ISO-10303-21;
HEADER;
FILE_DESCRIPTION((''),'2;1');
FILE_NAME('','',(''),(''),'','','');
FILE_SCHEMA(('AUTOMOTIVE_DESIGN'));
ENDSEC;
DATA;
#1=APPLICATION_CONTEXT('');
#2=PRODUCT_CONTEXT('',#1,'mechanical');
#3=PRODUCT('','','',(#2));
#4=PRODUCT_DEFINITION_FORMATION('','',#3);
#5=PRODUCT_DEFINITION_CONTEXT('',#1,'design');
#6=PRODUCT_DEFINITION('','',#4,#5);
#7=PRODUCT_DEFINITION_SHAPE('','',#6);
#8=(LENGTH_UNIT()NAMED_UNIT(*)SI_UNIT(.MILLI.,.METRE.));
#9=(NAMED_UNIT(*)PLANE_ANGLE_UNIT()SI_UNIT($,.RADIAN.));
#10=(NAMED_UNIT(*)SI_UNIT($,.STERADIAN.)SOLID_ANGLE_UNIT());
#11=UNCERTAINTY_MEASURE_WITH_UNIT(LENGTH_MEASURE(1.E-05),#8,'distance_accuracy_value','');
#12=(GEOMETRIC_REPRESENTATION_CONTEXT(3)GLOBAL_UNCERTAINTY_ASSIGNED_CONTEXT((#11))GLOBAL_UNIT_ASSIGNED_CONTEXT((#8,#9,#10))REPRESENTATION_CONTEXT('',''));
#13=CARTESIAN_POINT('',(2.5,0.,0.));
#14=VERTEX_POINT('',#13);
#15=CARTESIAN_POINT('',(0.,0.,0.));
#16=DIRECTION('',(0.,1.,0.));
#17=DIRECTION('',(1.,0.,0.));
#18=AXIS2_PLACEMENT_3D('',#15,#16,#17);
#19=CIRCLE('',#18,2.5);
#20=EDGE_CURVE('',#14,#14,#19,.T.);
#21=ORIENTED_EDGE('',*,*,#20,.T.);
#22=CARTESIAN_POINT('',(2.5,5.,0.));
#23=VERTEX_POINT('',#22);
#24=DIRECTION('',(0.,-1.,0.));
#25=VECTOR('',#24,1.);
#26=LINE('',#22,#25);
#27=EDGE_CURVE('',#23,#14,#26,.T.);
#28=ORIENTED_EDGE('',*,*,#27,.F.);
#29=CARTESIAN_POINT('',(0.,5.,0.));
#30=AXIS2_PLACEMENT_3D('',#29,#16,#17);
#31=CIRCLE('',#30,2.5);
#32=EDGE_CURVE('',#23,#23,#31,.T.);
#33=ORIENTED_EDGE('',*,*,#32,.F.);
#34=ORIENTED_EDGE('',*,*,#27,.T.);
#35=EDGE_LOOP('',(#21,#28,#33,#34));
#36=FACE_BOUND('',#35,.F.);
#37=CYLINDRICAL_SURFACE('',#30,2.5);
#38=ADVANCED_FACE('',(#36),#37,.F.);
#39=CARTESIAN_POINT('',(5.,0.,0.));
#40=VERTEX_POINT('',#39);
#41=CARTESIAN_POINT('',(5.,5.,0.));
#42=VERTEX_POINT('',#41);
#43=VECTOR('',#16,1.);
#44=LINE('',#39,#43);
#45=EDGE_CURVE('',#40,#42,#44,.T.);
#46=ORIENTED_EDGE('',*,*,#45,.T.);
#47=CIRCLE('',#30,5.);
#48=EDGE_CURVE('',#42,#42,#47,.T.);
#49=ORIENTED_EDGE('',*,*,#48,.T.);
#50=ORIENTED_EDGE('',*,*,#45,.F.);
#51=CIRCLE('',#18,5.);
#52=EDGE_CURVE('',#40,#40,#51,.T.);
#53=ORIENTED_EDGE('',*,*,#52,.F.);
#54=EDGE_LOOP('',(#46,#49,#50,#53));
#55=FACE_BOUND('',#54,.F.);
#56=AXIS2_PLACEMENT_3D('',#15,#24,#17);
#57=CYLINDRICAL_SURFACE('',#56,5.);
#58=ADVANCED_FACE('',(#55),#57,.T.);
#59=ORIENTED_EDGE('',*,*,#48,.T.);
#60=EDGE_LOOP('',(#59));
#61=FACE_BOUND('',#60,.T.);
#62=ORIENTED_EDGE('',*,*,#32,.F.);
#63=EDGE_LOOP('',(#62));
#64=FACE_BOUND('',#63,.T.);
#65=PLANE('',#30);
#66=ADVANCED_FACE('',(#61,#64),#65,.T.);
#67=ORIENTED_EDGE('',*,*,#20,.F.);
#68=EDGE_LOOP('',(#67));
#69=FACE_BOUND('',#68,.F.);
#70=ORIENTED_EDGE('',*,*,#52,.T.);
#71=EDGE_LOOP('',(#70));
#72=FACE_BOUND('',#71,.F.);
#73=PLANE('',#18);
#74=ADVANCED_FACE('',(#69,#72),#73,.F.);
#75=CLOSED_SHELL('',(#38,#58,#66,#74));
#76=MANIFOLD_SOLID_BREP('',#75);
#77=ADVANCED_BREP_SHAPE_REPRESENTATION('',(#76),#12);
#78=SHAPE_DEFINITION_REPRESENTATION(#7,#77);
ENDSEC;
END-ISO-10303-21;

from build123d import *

# Parameters (mm, degrees)
SKETCH1_R           = 5
BOSS_EXTRUDE1_DEPTH = 5
SKETCH2_R           = 2.5
CUT_EXTRUDE1_DEPTH  = 6


with BuildPart() as part:
    # Sketch1 → Boss-Extrude1 (new body)
    with BuildSketch(Plane(origin=(0, 0, 0), x_dir=(1, 0, 0), z_dir=(0, 1, 0))):
        Circle(SKETCH1_R)
    extrude(amount=BOSS_EXTRUDE1_DEPTH)

    # Sketch2 → Cut-Extrude1 (cut, through all)
    with BuildSketch(Plane(origin=(0, 5, 0), x_dir=(1, 0, 0), z_dir=(0, 1, 0))):
        Circle(SKETCH2_R)
    extrude(amount=-CUT_EXTRUDE1_DEPTH, mode=Mode.SUBTRACT)


solid = part.part
